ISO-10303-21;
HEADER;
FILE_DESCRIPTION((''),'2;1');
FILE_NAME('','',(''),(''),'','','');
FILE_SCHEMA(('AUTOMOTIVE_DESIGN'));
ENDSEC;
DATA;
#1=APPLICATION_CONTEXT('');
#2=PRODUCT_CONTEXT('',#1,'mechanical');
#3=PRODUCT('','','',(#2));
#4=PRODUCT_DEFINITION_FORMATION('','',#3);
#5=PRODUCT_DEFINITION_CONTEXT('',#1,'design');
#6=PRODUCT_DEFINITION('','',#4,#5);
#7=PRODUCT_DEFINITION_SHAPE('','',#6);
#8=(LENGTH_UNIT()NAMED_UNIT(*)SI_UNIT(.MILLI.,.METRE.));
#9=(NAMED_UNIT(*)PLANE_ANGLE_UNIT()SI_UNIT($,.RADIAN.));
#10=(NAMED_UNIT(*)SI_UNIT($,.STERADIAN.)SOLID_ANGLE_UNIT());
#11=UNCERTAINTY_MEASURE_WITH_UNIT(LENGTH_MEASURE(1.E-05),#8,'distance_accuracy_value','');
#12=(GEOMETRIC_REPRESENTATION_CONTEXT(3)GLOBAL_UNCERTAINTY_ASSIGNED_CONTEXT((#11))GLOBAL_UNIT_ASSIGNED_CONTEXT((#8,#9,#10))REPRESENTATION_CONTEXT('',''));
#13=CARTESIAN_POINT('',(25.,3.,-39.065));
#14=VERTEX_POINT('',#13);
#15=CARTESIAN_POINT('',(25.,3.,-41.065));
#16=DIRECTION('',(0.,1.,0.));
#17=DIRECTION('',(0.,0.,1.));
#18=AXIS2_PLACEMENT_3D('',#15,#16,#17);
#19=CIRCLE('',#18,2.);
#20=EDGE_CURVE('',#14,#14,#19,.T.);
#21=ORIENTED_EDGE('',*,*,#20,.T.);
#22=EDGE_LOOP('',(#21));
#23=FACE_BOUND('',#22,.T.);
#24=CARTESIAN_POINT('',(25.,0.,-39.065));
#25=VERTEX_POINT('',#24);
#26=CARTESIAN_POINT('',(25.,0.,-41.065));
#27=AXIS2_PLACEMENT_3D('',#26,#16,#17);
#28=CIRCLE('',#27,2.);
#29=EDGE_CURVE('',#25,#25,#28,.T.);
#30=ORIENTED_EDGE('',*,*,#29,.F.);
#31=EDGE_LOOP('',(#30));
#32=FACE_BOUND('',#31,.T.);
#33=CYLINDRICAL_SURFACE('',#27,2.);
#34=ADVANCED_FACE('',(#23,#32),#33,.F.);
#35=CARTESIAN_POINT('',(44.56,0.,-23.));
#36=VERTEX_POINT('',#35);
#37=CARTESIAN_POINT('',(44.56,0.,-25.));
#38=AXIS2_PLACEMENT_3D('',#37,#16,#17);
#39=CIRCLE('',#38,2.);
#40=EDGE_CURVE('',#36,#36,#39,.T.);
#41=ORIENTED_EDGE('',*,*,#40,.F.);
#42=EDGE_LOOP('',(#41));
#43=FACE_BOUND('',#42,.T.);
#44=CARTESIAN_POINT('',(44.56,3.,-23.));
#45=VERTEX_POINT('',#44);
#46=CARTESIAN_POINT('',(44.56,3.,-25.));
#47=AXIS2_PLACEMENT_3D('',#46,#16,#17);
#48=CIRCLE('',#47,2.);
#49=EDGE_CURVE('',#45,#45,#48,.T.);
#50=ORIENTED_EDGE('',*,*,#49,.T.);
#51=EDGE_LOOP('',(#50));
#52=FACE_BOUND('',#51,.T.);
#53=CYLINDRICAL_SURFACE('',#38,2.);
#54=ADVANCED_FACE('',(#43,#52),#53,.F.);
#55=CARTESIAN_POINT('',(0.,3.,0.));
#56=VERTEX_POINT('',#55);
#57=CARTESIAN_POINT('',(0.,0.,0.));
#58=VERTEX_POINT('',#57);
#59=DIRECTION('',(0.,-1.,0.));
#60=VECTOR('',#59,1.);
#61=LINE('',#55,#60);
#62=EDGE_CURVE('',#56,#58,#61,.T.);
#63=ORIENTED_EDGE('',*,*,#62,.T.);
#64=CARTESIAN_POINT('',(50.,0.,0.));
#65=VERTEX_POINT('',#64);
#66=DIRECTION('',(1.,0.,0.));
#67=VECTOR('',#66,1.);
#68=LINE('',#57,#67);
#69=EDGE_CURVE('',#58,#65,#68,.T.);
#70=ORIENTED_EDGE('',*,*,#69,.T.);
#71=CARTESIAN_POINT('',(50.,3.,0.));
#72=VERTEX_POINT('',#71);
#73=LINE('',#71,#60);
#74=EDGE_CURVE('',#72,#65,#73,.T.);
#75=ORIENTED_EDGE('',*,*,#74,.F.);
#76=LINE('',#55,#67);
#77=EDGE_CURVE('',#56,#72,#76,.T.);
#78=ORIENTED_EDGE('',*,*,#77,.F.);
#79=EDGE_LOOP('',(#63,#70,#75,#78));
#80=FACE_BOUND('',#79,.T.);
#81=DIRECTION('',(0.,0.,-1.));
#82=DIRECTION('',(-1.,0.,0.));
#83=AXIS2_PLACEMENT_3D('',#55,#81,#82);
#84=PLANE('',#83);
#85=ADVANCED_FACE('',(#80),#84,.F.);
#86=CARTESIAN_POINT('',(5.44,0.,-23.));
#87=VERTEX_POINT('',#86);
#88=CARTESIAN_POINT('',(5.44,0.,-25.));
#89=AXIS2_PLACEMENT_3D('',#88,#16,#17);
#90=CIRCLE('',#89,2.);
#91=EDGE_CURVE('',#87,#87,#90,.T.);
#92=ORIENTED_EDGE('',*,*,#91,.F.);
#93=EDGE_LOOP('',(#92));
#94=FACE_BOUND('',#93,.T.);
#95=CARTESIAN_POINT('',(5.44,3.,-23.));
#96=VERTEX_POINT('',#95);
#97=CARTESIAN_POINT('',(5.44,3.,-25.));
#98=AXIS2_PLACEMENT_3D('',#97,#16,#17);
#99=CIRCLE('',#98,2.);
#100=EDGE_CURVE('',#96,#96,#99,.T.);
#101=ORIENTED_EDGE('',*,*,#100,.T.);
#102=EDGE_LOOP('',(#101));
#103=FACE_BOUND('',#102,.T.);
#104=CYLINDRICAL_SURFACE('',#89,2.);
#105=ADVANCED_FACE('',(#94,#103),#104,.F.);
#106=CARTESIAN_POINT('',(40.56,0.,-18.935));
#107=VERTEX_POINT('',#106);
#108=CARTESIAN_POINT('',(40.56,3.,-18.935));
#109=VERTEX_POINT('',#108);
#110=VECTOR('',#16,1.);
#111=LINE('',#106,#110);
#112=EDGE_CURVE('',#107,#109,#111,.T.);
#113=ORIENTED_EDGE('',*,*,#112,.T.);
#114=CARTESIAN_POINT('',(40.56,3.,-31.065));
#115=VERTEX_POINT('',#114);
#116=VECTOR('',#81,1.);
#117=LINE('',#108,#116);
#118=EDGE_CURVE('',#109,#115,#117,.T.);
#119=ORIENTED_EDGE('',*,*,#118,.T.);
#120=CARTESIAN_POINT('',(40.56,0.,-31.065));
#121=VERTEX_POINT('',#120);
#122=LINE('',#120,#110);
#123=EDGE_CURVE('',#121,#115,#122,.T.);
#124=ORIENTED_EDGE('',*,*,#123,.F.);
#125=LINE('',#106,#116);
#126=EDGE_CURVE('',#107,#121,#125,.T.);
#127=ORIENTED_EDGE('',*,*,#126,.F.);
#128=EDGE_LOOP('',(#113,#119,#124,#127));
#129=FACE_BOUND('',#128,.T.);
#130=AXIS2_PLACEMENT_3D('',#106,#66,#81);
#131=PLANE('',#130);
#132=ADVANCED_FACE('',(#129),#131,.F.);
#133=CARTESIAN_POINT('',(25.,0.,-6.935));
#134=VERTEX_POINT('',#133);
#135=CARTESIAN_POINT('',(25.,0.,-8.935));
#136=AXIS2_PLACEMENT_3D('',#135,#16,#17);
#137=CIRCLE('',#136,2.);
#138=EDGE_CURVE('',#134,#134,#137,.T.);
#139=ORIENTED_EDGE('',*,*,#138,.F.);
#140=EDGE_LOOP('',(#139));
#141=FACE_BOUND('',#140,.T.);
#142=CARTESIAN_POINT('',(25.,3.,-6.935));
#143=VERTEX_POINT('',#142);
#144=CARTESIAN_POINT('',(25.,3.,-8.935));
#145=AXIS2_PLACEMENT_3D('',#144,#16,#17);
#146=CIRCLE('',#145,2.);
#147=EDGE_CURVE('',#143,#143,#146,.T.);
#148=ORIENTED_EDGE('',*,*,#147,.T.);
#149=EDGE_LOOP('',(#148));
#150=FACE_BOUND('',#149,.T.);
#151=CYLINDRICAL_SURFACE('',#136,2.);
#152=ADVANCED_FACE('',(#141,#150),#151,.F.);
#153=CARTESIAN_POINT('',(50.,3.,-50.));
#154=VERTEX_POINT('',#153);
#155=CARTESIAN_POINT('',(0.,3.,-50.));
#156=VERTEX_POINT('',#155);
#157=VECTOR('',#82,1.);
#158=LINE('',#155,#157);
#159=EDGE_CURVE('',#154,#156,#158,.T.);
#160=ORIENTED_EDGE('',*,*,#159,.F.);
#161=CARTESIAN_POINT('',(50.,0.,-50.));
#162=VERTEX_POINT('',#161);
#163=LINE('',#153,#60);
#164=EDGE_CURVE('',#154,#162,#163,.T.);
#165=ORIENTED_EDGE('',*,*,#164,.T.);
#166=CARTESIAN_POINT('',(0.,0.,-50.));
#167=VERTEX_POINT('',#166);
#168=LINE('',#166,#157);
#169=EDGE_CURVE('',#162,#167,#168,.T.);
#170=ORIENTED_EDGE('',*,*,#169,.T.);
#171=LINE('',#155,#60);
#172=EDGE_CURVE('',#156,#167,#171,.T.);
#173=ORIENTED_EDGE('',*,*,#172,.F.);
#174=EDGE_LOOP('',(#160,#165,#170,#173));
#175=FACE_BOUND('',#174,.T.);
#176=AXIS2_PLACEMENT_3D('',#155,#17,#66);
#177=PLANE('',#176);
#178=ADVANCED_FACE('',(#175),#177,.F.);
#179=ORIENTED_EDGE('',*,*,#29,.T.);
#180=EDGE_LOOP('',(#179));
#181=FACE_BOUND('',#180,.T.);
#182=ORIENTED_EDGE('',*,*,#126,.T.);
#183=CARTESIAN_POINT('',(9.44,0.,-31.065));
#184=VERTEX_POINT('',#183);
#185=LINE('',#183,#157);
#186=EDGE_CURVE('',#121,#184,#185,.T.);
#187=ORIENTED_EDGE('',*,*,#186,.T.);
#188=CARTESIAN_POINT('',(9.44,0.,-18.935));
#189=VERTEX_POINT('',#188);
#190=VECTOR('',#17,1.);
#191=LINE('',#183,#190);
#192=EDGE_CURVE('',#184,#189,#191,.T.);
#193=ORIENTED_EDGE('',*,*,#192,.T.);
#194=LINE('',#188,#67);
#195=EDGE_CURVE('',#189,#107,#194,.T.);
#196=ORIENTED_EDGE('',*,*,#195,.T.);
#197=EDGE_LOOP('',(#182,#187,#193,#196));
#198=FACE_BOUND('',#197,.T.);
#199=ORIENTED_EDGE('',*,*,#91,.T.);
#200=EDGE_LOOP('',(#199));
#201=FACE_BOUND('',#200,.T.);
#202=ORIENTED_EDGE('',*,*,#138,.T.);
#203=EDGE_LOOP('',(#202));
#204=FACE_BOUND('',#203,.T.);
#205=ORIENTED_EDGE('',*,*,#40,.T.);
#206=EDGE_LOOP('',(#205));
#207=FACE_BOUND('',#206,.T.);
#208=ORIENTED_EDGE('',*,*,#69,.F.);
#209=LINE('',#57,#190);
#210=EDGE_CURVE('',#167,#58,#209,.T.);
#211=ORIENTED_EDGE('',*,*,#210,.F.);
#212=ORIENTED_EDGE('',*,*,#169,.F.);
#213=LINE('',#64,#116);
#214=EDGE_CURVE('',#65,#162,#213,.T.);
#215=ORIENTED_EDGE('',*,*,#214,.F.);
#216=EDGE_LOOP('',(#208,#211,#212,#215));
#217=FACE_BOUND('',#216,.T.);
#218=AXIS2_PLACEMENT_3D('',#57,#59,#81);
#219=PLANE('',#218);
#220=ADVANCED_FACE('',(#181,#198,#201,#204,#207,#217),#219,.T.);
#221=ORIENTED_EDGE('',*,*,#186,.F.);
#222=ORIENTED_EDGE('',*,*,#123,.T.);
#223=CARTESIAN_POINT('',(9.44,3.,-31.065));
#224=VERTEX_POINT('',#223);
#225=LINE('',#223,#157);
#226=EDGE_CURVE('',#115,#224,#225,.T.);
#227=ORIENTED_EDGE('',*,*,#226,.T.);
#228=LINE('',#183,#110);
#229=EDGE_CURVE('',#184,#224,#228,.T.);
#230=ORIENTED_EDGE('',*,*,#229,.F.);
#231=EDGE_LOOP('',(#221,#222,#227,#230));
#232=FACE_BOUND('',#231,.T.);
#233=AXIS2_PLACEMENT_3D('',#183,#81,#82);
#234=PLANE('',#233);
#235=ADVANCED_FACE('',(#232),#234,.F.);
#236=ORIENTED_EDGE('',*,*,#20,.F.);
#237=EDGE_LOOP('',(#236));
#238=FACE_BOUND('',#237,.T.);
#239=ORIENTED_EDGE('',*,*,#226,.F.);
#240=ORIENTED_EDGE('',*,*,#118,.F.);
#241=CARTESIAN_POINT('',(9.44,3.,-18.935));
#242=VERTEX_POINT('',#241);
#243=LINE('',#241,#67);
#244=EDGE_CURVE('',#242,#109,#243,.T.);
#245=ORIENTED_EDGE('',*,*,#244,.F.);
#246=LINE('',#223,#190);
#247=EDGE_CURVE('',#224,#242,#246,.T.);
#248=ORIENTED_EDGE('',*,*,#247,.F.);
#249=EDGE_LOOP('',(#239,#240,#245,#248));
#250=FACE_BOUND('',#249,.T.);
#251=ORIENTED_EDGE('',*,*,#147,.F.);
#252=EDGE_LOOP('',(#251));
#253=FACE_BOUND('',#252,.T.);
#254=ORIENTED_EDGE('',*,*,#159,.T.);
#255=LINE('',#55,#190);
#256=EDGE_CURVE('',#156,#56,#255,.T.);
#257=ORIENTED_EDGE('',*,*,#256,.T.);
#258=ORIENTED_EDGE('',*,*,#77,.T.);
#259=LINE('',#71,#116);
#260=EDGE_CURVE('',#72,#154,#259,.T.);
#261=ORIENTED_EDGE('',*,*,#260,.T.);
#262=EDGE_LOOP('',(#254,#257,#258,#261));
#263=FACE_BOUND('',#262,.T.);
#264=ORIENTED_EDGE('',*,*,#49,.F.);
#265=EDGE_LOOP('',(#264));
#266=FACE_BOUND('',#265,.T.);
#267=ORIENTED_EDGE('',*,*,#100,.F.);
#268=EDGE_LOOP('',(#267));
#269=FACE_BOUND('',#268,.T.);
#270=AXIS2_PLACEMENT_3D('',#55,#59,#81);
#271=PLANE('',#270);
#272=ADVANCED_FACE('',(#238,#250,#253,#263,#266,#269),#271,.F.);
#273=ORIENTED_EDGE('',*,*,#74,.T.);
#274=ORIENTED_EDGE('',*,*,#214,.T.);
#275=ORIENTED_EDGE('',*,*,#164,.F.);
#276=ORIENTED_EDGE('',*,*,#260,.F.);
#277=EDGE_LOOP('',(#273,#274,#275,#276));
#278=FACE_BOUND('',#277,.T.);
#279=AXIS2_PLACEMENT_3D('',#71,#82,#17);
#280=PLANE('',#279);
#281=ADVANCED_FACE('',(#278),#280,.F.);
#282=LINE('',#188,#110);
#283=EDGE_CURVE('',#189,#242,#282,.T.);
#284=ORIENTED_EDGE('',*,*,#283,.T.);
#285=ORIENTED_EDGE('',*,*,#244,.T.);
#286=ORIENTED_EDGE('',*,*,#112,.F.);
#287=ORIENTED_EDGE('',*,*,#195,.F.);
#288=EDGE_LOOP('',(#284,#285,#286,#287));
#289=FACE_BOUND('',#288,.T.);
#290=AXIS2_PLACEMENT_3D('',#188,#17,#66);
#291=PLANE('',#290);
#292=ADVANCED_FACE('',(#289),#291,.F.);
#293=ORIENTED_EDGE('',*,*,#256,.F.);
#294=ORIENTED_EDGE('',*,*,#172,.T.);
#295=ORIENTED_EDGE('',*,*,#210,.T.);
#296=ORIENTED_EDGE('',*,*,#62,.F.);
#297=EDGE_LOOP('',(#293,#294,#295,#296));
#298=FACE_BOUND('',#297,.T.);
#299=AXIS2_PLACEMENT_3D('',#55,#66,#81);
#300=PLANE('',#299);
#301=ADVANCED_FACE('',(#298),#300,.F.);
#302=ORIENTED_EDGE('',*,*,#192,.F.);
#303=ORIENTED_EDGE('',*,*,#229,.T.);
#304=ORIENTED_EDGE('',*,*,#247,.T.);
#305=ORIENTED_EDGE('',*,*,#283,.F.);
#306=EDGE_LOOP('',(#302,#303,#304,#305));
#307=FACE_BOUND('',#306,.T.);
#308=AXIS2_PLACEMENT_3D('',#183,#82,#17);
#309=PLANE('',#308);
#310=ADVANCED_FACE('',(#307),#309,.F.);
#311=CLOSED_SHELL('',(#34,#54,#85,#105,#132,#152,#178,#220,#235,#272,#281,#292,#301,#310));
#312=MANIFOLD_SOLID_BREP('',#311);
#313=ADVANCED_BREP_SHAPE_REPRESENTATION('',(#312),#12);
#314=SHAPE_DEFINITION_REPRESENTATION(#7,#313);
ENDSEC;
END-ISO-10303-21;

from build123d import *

# Parameters (mm, degrees)
ESBO_O1_W             = 50
ESBO_O1_H             = 50
BASE_DEPTH            = 3
ENTRADASESB_R         = 2
ENTRADASESB_W         = 31.12
ENTRADASESB_H         = 12.13
CORTE_EXTRUS_O1_DEPTH = 3


with BuildPart() as part:
    # Esboço1 → Base (new body)
    with BuildSketch(Plane(origin=(0, 0, 0), x_dir=(1, 0, 0), z_dir=(0, 1, 0))):
        with Locations((25, 25)):
            Rectangle(ESBO_O1_W, ESBO_O1_H)
    extrude(amount=BASE_DEPTH)

    # EntradasEsb → Corte-extrusão1 (cut)
    with BuildSketch(Plane(origin=(0, 3, 0), x_dir=(1, 0, 0), z_dir=(0, 1, 0))):
        with Locations(Location((25, 41.065, 0), (0, 0, 270))):
            Circle(ENTRADASESB_R)
        with Locations(Location((25, 8.935, 0), (0, 0, 270))):
            Circle(ENTRADASESB_R)
        with Locations(Location((44.56, 25, 0), (0, 0, 270))):
            Circle(ENTRADASESB_R)
        with Locations(Location((5.44, 25, 0), (0, 0, 270))):
            Circle(ENTRADASESB_R)
        with Locations((25, 25)):
            Rectangle(ENTRADASESB_W, ENTRADASESB_H)
    extrude(amount=-CORTE_EXTRUS_O1_DEPTH, mode=Mode.SUBTRACT)


solid = part.part
